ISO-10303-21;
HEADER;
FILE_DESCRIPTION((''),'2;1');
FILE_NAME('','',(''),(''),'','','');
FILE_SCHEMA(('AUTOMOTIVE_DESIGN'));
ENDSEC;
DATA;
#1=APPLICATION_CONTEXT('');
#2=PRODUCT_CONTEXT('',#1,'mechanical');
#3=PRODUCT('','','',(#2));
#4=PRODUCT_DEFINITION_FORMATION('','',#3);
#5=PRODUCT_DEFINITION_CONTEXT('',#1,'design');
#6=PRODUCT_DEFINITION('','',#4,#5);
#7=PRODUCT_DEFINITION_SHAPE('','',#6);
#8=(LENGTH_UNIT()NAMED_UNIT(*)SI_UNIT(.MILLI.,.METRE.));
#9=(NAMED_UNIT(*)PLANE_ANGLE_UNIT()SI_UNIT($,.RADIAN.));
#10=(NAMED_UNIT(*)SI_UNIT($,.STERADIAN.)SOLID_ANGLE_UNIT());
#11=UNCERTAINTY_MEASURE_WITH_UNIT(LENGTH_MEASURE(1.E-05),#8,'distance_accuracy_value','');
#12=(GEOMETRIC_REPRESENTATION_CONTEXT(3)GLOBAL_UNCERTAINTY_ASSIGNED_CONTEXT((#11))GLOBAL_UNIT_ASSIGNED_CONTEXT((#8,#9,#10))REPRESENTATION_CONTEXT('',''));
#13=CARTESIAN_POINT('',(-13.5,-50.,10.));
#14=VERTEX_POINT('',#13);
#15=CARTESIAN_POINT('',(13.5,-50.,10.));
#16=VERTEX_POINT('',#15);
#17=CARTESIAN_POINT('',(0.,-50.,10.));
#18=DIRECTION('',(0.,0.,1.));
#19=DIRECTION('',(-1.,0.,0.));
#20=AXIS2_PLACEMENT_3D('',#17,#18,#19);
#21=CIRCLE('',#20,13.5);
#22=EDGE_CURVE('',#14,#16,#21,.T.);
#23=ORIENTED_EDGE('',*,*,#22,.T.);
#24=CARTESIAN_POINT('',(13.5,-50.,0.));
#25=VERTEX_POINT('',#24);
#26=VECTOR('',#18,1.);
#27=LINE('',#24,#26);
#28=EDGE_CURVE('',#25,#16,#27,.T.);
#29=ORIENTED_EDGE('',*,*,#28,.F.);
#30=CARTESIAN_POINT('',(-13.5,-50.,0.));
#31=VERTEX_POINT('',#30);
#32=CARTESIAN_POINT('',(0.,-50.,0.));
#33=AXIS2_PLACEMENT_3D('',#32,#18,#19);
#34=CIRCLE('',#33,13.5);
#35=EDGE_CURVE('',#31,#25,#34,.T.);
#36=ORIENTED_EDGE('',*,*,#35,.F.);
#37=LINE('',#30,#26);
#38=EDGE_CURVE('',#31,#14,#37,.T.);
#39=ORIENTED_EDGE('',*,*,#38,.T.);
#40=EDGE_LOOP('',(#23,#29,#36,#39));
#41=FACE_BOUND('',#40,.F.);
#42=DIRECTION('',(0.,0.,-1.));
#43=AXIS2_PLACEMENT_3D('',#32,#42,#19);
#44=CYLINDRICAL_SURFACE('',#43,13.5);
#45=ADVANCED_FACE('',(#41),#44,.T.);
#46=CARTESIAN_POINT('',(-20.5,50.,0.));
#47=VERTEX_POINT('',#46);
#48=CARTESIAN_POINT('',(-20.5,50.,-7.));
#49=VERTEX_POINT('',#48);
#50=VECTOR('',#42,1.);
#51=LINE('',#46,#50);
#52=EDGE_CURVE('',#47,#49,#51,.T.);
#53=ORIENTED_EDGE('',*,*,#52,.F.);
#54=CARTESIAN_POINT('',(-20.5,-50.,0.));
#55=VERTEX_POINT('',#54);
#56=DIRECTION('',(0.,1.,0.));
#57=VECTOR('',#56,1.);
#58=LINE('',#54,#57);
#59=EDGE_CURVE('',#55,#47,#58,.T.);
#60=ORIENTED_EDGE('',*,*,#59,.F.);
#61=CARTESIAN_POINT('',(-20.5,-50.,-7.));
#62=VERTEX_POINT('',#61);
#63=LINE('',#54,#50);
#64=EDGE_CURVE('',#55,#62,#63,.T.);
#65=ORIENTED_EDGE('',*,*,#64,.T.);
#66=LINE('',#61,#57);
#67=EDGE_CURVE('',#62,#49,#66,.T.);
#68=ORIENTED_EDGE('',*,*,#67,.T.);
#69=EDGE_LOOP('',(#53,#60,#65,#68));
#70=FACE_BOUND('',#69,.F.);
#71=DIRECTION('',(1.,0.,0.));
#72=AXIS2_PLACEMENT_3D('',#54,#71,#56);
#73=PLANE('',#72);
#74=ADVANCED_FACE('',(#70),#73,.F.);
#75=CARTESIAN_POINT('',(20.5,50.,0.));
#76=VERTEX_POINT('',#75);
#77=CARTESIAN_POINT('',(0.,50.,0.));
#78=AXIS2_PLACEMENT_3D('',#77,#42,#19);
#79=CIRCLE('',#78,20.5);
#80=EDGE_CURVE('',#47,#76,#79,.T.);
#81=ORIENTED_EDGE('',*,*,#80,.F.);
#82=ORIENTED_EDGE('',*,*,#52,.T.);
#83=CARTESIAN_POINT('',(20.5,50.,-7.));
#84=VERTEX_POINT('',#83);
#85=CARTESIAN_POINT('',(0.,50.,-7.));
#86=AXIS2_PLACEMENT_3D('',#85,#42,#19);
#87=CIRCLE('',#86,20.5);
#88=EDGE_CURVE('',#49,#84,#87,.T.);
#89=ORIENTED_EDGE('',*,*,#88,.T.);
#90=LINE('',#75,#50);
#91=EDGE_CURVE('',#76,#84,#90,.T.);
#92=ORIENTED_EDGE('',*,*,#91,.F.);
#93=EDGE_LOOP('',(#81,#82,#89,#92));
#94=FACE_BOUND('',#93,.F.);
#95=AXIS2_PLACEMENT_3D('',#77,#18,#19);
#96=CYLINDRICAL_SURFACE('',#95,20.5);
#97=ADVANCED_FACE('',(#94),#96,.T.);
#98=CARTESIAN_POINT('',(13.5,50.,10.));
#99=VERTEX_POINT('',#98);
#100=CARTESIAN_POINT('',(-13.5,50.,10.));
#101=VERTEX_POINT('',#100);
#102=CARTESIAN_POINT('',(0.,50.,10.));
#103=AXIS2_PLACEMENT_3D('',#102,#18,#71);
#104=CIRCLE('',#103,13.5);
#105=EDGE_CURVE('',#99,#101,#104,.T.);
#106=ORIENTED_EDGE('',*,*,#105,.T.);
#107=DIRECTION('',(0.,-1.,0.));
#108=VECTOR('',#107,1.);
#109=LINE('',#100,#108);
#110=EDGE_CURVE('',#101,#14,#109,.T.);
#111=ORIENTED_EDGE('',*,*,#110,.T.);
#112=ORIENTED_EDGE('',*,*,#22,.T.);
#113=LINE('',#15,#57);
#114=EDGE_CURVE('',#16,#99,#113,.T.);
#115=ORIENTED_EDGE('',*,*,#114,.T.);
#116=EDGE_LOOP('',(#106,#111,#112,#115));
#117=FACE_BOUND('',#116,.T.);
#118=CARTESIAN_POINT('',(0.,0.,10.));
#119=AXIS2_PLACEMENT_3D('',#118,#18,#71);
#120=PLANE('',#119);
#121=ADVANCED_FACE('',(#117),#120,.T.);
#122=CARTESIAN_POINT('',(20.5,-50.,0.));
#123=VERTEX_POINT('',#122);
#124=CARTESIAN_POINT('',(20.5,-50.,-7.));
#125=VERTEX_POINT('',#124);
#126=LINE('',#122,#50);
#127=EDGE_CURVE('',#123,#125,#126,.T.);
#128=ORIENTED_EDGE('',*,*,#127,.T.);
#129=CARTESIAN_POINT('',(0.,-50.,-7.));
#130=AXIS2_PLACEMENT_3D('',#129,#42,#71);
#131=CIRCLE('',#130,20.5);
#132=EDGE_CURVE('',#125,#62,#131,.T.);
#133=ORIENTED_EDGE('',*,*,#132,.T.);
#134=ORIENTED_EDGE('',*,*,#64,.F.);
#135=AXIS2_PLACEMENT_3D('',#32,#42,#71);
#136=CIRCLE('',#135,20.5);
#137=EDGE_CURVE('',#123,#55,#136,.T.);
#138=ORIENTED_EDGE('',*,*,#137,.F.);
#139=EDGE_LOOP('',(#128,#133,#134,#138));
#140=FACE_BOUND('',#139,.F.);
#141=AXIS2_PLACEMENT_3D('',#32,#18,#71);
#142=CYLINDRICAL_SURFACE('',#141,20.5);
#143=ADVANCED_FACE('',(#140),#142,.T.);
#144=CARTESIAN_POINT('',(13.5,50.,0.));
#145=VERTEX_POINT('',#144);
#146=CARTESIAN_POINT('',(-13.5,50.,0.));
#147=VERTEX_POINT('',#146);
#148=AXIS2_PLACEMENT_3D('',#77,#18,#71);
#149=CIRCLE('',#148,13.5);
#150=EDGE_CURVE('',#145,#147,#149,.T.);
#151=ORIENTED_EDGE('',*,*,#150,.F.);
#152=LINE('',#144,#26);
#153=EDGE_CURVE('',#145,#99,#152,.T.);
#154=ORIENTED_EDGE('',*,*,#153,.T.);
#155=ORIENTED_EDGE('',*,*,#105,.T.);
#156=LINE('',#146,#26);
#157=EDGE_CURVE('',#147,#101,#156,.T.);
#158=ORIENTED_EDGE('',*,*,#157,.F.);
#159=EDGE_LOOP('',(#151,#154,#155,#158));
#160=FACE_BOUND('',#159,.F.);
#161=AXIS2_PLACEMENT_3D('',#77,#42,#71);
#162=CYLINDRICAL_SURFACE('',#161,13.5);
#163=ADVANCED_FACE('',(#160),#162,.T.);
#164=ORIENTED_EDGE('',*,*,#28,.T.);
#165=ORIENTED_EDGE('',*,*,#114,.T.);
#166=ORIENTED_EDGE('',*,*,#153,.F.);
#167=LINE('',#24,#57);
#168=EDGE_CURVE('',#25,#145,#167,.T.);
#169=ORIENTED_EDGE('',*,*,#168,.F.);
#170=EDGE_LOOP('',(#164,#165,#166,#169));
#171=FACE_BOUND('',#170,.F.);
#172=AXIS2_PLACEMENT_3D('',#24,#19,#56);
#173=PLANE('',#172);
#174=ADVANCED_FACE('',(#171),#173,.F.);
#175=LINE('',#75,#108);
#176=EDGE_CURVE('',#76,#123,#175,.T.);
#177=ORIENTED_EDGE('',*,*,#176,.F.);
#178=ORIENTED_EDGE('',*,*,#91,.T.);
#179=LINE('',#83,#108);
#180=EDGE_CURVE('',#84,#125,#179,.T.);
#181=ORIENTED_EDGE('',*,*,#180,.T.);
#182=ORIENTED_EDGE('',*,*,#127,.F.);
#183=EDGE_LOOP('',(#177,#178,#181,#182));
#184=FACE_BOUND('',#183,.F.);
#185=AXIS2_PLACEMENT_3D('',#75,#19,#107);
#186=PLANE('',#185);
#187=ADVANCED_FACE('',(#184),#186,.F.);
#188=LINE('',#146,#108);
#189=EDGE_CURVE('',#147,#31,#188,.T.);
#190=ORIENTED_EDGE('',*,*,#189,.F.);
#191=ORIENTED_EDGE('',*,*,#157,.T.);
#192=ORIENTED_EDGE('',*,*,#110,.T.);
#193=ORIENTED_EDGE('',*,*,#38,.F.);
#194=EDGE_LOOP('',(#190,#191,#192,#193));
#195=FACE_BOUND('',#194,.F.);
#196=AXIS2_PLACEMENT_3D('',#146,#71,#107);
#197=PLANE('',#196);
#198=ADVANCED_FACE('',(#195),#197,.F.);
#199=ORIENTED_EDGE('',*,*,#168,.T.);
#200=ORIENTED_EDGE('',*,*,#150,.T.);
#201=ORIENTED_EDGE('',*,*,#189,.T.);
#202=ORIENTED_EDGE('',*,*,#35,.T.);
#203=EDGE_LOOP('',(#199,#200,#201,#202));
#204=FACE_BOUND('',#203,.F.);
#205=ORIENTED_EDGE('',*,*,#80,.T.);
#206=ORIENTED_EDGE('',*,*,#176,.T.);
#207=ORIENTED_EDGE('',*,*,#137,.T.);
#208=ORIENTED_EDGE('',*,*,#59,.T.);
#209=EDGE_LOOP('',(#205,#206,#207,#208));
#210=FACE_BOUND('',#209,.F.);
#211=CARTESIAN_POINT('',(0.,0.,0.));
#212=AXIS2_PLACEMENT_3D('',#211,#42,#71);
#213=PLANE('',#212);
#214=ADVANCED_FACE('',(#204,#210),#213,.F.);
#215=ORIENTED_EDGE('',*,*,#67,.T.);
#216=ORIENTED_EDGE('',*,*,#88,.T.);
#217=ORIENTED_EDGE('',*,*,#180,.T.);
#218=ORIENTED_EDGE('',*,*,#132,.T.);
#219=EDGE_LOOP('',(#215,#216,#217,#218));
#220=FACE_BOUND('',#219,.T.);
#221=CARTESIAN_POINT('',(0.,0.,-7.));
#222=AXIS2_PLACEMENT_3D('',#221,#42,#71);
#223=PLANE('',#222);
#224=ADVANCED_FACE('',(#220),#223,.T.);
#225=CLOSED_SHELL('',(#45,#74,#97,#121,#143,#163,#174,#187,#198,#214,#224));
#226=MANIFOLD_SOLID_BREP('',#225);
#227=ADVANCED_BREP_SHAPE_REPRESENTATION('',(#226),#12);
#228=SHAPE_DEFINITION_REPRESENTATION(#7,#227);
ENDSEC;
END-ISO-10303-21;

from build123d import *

# Parameters (mm, degrees)
F1_DEPTH = 10
F3_DEPTH = 7


with BuildPart() as f1:
    # F0 (on Top) → F1 (new body)
    with BuildSketch(Plane.XY):
        with BuildLine():
            Line((-13.5, 50), (-13.5, -50))
            ThreePointArc((-13.5, -50), (0, -63.5), (13.5, -50))
            Line((13.5, -50), (13.5, 50))
            ThreePointArc((13.5, 50), (0, 63.5), (-13.5, 50))
        make_face()
    extrude(amount=F1_DEPTH)

    # F2 (on face) → F3 (join)
    with BuildSketch(Plane(origin=(0, 0, 0), x_dir=(1, 0, 0), z_dir=(0, 0, -1))):
        with BuildLine():
            ThreePointArc((20.5, 50), (0, 70.5), (-20.5, 50))
            Line((-20.5, 50), (-20.5, -50))
            ThreePointArc((-20.5, -50), (0, -70.5), (20.5, -50))
            Line((20.5, -50), (20.5, 50))
        make_face()
    extrude(amount=F3_DEPTH)


solid = f1.part
